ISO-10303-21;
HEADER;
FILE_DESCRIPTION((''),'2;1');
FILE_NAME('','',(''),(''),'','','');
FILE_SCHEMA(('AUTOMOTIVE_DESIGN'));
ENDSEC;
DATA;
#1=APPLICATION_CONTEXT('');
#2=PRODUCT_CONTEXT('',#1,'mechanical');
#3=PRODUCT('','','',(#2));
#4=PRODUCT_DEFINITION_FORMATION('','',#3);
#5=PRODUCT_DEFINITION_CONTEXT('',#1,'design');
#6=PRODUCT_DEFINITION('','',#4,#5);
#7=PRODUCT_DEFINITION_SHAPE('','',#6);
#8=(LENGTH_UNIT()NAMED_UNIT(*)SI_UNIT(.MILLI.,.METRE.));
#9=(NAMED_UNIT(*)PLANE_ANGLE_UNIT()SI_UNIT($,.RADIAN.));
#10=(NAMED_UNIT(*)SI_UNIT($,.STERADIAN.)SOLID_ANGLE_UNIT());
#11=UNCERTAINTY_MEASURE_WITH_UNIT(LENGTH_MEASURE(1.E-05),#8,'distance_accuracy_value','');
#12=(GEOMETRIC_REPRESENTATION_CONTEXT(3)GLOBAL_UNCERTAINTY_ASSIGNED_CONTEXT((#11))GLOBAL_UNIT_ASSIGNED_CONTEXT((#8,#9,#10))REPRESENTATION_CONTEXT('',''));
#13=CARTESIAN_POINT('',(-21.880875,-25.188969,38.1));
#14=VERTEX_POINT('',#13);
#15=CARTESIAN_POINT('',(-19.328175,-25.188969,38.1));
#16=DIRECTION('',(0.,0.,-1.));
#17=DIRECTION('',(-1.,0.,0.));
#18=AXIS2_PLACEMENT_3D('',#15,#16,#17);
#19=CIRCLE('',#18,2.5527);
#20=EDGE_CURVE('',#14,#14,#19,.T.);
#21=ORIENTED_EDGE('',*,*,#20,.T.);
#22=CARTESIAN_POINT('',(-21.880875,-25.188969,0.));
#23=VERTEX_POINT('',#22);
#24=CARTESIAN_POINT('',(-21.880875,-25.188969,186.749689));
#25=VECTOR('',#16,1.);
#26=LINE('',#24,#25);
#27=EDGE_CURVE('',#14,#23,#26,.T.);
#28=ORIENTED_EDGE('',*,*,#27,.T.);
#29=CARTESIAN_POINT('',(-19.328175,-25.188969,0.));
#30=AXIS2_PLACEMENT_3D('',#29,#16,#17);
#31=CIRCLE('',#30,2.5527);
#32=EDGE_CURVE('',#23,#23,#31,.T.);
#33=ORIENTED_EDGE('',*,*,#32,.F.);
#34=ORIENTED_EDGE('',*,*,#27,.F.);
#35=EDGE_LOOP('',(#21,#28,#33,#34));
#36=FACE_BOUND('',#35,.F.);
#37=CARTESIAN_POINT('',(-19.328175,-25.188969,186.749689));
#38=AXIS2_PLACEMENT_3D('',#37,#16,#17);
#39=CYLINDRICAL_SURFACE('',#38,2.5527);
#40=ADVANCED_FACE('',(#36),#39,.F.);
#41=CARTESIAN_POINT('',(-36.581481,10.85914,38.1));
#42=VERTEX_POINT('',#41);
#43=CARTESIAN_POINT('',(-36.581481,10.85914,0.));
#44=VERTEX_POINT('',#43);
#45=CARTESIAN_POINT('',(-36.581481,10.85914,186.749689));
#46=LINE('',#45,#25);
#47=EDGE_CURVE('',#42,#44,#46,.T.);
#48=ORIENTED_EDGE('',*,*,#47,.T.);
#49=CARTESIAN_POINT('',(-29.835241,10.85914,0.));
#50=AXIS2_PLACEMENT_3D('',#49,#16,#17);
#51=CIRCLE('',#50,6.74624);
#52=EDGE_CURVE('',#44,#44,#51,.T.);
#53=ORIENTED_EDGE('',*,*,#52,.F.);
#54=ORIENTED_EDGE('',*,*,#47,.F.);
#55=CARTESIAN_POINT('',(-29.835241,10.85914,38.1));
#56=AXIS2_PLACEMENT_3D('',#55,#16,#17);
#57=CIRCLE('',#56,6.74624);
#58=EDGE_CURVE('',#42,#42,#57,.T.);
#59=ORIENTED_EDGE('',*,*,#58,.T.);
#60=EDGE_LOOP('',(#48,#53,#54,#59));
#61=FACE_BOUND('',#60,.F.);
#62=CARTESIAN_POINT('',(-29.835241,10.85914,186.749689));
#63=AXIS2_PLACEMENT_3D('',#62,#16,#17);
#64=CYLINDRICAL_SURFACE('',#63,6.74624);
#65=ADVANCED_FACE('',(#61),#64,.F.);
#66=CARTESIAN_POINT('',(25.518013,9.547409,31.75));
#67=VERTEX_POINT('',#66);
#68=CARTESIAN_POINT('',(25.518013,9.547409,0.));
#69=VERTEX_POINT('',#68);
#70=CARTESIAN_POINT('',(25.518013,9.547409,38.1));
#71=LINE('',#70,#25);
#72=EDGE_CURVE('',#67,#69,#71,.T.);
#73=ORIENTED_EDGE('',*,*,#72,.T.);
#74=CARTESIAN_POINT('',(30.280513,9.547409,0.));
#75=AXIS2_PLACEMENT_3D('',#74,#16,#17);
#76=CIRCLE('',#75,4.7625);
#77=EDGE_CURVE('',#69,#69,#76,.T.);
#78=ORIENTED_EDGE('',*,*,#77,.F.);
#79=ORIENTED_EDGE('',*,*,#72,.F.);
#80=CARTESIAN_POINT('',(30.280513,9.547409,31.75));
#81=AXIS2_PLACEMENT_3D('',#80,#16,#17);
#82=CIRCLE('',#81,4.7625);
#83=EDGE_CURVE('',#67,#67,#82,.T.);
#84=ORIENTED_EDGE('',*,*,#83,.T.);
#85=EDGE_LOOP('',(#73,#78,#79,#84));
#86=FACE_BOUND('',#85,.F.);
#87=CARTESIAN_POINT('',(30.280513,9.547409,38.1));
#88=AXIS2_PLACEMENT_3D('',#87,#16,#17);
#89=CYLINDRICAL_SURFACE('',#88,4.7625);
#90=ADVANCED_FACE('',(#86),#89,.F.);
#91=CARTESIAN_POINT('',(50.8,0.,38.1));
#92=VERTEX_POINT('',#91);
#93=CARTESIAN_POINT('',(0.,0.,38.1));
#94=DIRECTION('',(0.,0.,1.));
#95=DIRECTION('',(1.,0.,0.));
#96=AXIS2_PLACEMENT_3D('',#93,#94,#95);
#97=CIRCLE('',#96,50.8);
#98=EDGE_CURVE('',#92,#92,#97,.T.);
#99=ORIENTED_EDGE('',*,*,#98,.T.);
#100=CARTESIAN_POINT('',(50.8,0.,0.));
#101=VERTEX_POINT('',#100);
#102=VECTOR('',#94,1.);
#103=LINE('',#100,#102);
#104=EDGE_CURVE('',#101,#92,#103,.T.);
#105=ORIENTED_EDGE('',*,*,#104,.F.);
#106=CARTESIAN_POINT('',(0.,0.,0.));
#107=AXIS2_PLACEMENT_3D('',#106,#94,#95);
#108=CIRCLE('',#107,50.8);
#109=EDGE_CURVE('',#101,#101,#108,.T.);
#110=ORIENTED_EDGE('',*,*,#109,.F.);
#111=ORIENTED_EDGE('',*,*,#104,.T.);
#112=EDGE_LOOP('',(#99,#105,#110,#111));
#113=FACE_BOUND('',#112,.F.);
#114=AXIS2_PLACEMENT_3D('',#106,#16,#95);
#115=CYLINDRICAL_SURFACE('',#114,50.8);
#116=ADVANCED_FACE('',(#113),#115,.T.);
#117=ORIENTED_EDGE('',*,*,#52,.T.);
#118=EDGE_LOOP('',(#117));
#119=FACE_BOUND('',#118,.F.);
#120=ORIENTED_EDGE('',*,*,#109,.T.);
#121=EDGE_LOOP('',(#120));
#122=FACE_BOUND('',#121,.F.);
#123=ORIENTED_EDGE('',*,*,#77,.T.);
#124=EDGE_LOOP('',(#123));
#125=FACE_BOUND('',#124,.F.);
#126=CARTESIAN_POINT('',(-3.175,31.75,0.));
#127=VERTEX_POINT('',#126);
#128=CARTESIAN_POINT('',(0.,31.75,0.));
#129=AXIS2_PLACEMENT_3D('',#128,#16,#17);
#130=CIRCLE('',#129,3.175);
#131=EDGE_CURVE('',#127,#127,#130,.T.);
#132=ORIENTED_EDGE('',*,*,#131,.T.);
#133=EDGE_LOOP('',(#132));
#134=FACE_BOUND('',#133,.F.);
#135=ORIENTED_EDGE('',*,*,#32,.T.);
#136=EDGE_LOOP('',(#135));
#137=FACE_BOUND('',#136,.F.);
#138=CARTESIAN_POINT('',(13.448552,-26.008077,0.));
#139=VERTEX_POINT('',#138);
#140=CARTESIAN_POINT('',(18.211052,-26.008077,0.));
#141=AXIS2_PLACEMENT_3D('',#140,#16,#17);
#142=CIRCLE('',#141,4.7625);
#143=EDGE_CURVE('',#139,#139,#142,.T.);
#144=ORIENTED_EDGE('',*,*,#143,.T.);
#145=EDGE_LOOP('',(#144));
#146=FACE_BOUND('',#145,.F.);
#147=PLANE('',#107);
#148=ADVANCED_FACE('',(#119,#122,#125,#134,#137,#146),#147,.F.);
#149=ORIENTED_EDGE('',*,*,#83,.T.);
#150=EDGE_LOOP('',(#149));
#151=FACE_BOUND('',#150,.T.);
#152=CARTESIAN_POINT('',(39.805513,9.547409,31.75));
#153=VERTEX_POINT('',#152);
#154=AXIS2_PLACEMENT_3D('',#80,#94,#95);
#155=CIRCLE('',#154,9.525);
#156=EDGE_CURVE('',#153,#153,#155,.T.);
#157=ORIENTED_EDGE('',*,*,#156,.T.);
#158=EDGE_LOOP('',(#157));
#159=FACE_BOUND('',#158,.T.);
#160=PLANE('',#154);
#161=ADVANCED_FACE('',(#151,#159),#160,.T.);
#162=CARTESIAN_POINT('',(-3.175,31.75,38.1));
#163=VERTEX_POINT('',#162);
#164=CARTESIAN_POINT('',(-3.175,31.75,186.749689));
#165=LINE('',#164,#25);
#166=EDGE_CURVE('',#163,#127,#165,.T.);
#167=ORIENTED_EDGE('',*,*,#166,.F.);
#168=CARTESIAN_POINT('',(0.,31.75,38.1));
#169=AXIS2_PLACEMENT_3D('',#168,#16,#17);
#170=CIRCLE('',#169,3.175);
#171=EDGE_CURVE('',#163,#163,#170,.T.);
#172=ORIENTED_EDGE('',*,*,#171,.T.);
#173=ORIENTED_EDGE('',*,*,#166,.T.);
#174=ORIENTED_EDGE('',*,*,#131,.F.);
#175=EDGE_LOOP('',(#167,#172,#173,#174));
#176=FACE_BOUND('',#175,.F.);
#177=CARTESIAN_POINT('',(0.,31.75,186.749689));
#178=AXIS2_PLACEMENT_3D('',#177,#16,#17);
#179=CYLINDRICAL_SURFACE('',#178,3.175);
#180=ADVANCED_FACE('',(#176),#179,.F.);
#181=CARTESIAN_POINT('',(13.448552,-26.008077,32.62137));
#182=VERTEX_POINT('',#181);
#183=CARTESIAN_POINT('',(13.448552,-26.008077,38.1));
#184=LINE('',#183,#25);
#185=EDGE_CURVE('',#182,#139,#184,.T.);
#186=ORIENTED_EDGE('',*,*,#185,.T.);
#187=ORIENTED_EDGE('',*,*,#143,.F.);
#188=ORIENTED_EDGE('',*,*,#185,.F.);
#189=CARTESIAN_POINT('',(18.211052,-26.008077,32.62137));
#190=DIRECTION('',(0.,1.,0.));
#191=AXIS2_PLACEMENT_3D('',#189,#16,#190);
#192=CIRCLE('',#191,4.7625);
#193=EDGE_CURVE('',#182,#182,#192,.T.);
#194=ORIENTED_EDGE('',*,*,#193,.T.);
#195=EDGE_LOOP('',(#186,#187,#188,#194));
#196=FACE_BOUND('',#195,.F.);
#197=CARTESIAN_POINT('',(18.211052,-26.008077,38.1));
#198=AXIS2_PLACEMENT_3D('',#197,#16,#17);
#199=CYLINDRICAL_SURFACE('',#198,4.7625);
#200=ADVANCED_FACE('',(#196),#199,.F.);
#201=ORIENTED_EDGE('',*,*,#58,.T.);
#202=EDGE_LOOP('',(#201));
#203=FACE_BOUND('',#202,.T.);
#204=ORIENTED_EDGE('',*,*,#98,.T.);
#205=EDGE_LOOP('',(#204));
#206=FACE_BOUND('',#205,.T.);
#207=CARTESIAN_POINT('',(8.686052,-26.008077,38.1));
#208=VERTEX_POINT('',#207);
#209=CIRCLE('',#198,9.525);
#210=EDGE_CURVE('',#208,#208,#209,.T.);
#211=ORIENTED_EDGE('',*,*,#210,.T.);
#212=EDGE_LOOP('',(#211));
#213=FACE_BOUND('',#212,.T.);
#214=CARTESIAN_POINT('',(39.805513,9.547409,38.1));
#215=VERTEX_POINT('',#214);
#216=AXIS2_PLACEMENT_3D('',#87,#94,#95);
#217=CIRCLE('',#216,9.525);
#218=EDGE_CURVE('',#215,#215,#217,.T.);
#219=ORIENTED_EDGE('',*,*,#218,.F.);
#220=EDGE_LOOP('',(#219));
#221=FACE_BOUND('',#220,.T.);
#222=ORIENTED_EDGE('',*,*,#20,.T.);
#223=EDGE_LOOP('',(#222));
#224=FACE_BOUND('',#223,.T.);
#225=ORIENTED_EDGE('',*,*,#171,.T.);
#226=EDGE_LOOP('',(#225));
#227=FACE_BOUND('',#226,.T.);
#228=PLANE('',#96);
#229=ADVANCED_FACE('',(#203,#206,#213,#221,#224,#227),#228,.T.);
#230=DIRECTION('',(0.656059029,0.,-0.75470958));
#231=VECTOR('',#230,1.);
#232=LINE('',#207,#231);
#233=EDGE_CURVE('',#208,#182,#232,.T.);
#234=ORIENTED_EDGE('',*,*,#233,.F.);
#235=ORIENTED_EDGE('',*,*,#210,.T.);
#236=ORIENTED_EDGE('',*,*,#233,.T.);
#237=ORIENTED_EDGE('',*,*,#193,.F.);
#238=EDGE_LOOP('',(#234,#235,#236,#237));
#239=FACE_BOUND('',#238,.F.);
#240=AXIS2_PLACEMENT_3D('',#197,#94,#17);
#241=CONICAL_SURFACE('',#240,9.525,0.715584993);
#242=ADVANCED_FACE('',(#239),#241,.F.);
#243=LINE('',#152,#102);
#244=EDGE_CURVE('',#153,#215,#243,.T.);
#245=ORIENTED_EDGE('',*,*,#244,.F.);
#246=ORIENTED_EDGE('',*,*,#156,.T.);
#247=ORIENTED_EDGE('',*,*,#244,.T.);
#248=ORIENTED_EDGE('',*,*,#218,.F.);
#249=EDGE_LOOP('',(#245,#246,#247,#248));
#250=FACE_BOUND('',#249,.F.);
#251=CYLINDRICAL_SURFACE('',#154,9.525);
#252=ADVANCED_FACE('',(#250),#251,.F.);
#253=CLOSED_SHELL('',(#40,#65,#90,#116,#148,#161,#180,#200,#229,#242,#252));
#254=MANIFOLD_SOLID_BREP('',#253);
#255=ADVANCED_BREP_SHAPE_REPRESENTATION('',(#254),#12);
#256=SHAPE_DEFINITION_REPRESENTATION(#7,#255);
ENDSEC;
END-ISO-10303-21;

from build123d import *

# Parameters (mm, degrees)
F0_R           = 50.8
F1_DEPTH       = 38.1
F4_D           = 6.35
F5_D           = 9.525
F5_CBORE_D     = 19.05
F5_CBORE_DEPTH = 6.35
F6_D           = 9.525
F6_CSINK_D     = 19.05
F6_CSINK_ANGLE = 82
F7_D           = 5.1054
F8_D           = 13.49248


with BuildPart() as f1:
    # F0 (on Top) → F1 (new body)
    with BuildSketch(Plane.XY):
        Circle(F0_R)
    extrude(amount=F1_DEPTH)

    # F4 (through all)
    with Locations(Plane.XY.offset(38.1)):
        with Locations((0, 31.75)):
            Hole(F4_D / 2)

    # F5 (through all)
    with Locations(Plane.XY.offset(38.1)):
        with Locations((30.2805131863, 9.5474091343)):
            CounterBoreHole(F5_D / 2, F5_CBORE_D / 2, F5_CBORE_DEPTH)

    # F6 (through all)
    with Locations(Plane.XY.offset(38.1)):
        with Locations((18.2110518541, -26.0080774062)):
            CounterSinkHole(F6_D / 2, F6_CSINK_D / 2, counter_sink_angle=F6_CSINK_ANGLE)

    # F7 (through all)
    with Locations(Plane.XY.offset(38.1)):
        with Locations((-19.328175371, -25.1889685542)):
            Hole(F7_D / 2)

    # F8 (through all)
    with Locations(Plane.XY.offset(38.1)):
        with Locations((-29.83524071, 10.8591395506)):
            Hole(F8_D / 2)


solid = f1.part
